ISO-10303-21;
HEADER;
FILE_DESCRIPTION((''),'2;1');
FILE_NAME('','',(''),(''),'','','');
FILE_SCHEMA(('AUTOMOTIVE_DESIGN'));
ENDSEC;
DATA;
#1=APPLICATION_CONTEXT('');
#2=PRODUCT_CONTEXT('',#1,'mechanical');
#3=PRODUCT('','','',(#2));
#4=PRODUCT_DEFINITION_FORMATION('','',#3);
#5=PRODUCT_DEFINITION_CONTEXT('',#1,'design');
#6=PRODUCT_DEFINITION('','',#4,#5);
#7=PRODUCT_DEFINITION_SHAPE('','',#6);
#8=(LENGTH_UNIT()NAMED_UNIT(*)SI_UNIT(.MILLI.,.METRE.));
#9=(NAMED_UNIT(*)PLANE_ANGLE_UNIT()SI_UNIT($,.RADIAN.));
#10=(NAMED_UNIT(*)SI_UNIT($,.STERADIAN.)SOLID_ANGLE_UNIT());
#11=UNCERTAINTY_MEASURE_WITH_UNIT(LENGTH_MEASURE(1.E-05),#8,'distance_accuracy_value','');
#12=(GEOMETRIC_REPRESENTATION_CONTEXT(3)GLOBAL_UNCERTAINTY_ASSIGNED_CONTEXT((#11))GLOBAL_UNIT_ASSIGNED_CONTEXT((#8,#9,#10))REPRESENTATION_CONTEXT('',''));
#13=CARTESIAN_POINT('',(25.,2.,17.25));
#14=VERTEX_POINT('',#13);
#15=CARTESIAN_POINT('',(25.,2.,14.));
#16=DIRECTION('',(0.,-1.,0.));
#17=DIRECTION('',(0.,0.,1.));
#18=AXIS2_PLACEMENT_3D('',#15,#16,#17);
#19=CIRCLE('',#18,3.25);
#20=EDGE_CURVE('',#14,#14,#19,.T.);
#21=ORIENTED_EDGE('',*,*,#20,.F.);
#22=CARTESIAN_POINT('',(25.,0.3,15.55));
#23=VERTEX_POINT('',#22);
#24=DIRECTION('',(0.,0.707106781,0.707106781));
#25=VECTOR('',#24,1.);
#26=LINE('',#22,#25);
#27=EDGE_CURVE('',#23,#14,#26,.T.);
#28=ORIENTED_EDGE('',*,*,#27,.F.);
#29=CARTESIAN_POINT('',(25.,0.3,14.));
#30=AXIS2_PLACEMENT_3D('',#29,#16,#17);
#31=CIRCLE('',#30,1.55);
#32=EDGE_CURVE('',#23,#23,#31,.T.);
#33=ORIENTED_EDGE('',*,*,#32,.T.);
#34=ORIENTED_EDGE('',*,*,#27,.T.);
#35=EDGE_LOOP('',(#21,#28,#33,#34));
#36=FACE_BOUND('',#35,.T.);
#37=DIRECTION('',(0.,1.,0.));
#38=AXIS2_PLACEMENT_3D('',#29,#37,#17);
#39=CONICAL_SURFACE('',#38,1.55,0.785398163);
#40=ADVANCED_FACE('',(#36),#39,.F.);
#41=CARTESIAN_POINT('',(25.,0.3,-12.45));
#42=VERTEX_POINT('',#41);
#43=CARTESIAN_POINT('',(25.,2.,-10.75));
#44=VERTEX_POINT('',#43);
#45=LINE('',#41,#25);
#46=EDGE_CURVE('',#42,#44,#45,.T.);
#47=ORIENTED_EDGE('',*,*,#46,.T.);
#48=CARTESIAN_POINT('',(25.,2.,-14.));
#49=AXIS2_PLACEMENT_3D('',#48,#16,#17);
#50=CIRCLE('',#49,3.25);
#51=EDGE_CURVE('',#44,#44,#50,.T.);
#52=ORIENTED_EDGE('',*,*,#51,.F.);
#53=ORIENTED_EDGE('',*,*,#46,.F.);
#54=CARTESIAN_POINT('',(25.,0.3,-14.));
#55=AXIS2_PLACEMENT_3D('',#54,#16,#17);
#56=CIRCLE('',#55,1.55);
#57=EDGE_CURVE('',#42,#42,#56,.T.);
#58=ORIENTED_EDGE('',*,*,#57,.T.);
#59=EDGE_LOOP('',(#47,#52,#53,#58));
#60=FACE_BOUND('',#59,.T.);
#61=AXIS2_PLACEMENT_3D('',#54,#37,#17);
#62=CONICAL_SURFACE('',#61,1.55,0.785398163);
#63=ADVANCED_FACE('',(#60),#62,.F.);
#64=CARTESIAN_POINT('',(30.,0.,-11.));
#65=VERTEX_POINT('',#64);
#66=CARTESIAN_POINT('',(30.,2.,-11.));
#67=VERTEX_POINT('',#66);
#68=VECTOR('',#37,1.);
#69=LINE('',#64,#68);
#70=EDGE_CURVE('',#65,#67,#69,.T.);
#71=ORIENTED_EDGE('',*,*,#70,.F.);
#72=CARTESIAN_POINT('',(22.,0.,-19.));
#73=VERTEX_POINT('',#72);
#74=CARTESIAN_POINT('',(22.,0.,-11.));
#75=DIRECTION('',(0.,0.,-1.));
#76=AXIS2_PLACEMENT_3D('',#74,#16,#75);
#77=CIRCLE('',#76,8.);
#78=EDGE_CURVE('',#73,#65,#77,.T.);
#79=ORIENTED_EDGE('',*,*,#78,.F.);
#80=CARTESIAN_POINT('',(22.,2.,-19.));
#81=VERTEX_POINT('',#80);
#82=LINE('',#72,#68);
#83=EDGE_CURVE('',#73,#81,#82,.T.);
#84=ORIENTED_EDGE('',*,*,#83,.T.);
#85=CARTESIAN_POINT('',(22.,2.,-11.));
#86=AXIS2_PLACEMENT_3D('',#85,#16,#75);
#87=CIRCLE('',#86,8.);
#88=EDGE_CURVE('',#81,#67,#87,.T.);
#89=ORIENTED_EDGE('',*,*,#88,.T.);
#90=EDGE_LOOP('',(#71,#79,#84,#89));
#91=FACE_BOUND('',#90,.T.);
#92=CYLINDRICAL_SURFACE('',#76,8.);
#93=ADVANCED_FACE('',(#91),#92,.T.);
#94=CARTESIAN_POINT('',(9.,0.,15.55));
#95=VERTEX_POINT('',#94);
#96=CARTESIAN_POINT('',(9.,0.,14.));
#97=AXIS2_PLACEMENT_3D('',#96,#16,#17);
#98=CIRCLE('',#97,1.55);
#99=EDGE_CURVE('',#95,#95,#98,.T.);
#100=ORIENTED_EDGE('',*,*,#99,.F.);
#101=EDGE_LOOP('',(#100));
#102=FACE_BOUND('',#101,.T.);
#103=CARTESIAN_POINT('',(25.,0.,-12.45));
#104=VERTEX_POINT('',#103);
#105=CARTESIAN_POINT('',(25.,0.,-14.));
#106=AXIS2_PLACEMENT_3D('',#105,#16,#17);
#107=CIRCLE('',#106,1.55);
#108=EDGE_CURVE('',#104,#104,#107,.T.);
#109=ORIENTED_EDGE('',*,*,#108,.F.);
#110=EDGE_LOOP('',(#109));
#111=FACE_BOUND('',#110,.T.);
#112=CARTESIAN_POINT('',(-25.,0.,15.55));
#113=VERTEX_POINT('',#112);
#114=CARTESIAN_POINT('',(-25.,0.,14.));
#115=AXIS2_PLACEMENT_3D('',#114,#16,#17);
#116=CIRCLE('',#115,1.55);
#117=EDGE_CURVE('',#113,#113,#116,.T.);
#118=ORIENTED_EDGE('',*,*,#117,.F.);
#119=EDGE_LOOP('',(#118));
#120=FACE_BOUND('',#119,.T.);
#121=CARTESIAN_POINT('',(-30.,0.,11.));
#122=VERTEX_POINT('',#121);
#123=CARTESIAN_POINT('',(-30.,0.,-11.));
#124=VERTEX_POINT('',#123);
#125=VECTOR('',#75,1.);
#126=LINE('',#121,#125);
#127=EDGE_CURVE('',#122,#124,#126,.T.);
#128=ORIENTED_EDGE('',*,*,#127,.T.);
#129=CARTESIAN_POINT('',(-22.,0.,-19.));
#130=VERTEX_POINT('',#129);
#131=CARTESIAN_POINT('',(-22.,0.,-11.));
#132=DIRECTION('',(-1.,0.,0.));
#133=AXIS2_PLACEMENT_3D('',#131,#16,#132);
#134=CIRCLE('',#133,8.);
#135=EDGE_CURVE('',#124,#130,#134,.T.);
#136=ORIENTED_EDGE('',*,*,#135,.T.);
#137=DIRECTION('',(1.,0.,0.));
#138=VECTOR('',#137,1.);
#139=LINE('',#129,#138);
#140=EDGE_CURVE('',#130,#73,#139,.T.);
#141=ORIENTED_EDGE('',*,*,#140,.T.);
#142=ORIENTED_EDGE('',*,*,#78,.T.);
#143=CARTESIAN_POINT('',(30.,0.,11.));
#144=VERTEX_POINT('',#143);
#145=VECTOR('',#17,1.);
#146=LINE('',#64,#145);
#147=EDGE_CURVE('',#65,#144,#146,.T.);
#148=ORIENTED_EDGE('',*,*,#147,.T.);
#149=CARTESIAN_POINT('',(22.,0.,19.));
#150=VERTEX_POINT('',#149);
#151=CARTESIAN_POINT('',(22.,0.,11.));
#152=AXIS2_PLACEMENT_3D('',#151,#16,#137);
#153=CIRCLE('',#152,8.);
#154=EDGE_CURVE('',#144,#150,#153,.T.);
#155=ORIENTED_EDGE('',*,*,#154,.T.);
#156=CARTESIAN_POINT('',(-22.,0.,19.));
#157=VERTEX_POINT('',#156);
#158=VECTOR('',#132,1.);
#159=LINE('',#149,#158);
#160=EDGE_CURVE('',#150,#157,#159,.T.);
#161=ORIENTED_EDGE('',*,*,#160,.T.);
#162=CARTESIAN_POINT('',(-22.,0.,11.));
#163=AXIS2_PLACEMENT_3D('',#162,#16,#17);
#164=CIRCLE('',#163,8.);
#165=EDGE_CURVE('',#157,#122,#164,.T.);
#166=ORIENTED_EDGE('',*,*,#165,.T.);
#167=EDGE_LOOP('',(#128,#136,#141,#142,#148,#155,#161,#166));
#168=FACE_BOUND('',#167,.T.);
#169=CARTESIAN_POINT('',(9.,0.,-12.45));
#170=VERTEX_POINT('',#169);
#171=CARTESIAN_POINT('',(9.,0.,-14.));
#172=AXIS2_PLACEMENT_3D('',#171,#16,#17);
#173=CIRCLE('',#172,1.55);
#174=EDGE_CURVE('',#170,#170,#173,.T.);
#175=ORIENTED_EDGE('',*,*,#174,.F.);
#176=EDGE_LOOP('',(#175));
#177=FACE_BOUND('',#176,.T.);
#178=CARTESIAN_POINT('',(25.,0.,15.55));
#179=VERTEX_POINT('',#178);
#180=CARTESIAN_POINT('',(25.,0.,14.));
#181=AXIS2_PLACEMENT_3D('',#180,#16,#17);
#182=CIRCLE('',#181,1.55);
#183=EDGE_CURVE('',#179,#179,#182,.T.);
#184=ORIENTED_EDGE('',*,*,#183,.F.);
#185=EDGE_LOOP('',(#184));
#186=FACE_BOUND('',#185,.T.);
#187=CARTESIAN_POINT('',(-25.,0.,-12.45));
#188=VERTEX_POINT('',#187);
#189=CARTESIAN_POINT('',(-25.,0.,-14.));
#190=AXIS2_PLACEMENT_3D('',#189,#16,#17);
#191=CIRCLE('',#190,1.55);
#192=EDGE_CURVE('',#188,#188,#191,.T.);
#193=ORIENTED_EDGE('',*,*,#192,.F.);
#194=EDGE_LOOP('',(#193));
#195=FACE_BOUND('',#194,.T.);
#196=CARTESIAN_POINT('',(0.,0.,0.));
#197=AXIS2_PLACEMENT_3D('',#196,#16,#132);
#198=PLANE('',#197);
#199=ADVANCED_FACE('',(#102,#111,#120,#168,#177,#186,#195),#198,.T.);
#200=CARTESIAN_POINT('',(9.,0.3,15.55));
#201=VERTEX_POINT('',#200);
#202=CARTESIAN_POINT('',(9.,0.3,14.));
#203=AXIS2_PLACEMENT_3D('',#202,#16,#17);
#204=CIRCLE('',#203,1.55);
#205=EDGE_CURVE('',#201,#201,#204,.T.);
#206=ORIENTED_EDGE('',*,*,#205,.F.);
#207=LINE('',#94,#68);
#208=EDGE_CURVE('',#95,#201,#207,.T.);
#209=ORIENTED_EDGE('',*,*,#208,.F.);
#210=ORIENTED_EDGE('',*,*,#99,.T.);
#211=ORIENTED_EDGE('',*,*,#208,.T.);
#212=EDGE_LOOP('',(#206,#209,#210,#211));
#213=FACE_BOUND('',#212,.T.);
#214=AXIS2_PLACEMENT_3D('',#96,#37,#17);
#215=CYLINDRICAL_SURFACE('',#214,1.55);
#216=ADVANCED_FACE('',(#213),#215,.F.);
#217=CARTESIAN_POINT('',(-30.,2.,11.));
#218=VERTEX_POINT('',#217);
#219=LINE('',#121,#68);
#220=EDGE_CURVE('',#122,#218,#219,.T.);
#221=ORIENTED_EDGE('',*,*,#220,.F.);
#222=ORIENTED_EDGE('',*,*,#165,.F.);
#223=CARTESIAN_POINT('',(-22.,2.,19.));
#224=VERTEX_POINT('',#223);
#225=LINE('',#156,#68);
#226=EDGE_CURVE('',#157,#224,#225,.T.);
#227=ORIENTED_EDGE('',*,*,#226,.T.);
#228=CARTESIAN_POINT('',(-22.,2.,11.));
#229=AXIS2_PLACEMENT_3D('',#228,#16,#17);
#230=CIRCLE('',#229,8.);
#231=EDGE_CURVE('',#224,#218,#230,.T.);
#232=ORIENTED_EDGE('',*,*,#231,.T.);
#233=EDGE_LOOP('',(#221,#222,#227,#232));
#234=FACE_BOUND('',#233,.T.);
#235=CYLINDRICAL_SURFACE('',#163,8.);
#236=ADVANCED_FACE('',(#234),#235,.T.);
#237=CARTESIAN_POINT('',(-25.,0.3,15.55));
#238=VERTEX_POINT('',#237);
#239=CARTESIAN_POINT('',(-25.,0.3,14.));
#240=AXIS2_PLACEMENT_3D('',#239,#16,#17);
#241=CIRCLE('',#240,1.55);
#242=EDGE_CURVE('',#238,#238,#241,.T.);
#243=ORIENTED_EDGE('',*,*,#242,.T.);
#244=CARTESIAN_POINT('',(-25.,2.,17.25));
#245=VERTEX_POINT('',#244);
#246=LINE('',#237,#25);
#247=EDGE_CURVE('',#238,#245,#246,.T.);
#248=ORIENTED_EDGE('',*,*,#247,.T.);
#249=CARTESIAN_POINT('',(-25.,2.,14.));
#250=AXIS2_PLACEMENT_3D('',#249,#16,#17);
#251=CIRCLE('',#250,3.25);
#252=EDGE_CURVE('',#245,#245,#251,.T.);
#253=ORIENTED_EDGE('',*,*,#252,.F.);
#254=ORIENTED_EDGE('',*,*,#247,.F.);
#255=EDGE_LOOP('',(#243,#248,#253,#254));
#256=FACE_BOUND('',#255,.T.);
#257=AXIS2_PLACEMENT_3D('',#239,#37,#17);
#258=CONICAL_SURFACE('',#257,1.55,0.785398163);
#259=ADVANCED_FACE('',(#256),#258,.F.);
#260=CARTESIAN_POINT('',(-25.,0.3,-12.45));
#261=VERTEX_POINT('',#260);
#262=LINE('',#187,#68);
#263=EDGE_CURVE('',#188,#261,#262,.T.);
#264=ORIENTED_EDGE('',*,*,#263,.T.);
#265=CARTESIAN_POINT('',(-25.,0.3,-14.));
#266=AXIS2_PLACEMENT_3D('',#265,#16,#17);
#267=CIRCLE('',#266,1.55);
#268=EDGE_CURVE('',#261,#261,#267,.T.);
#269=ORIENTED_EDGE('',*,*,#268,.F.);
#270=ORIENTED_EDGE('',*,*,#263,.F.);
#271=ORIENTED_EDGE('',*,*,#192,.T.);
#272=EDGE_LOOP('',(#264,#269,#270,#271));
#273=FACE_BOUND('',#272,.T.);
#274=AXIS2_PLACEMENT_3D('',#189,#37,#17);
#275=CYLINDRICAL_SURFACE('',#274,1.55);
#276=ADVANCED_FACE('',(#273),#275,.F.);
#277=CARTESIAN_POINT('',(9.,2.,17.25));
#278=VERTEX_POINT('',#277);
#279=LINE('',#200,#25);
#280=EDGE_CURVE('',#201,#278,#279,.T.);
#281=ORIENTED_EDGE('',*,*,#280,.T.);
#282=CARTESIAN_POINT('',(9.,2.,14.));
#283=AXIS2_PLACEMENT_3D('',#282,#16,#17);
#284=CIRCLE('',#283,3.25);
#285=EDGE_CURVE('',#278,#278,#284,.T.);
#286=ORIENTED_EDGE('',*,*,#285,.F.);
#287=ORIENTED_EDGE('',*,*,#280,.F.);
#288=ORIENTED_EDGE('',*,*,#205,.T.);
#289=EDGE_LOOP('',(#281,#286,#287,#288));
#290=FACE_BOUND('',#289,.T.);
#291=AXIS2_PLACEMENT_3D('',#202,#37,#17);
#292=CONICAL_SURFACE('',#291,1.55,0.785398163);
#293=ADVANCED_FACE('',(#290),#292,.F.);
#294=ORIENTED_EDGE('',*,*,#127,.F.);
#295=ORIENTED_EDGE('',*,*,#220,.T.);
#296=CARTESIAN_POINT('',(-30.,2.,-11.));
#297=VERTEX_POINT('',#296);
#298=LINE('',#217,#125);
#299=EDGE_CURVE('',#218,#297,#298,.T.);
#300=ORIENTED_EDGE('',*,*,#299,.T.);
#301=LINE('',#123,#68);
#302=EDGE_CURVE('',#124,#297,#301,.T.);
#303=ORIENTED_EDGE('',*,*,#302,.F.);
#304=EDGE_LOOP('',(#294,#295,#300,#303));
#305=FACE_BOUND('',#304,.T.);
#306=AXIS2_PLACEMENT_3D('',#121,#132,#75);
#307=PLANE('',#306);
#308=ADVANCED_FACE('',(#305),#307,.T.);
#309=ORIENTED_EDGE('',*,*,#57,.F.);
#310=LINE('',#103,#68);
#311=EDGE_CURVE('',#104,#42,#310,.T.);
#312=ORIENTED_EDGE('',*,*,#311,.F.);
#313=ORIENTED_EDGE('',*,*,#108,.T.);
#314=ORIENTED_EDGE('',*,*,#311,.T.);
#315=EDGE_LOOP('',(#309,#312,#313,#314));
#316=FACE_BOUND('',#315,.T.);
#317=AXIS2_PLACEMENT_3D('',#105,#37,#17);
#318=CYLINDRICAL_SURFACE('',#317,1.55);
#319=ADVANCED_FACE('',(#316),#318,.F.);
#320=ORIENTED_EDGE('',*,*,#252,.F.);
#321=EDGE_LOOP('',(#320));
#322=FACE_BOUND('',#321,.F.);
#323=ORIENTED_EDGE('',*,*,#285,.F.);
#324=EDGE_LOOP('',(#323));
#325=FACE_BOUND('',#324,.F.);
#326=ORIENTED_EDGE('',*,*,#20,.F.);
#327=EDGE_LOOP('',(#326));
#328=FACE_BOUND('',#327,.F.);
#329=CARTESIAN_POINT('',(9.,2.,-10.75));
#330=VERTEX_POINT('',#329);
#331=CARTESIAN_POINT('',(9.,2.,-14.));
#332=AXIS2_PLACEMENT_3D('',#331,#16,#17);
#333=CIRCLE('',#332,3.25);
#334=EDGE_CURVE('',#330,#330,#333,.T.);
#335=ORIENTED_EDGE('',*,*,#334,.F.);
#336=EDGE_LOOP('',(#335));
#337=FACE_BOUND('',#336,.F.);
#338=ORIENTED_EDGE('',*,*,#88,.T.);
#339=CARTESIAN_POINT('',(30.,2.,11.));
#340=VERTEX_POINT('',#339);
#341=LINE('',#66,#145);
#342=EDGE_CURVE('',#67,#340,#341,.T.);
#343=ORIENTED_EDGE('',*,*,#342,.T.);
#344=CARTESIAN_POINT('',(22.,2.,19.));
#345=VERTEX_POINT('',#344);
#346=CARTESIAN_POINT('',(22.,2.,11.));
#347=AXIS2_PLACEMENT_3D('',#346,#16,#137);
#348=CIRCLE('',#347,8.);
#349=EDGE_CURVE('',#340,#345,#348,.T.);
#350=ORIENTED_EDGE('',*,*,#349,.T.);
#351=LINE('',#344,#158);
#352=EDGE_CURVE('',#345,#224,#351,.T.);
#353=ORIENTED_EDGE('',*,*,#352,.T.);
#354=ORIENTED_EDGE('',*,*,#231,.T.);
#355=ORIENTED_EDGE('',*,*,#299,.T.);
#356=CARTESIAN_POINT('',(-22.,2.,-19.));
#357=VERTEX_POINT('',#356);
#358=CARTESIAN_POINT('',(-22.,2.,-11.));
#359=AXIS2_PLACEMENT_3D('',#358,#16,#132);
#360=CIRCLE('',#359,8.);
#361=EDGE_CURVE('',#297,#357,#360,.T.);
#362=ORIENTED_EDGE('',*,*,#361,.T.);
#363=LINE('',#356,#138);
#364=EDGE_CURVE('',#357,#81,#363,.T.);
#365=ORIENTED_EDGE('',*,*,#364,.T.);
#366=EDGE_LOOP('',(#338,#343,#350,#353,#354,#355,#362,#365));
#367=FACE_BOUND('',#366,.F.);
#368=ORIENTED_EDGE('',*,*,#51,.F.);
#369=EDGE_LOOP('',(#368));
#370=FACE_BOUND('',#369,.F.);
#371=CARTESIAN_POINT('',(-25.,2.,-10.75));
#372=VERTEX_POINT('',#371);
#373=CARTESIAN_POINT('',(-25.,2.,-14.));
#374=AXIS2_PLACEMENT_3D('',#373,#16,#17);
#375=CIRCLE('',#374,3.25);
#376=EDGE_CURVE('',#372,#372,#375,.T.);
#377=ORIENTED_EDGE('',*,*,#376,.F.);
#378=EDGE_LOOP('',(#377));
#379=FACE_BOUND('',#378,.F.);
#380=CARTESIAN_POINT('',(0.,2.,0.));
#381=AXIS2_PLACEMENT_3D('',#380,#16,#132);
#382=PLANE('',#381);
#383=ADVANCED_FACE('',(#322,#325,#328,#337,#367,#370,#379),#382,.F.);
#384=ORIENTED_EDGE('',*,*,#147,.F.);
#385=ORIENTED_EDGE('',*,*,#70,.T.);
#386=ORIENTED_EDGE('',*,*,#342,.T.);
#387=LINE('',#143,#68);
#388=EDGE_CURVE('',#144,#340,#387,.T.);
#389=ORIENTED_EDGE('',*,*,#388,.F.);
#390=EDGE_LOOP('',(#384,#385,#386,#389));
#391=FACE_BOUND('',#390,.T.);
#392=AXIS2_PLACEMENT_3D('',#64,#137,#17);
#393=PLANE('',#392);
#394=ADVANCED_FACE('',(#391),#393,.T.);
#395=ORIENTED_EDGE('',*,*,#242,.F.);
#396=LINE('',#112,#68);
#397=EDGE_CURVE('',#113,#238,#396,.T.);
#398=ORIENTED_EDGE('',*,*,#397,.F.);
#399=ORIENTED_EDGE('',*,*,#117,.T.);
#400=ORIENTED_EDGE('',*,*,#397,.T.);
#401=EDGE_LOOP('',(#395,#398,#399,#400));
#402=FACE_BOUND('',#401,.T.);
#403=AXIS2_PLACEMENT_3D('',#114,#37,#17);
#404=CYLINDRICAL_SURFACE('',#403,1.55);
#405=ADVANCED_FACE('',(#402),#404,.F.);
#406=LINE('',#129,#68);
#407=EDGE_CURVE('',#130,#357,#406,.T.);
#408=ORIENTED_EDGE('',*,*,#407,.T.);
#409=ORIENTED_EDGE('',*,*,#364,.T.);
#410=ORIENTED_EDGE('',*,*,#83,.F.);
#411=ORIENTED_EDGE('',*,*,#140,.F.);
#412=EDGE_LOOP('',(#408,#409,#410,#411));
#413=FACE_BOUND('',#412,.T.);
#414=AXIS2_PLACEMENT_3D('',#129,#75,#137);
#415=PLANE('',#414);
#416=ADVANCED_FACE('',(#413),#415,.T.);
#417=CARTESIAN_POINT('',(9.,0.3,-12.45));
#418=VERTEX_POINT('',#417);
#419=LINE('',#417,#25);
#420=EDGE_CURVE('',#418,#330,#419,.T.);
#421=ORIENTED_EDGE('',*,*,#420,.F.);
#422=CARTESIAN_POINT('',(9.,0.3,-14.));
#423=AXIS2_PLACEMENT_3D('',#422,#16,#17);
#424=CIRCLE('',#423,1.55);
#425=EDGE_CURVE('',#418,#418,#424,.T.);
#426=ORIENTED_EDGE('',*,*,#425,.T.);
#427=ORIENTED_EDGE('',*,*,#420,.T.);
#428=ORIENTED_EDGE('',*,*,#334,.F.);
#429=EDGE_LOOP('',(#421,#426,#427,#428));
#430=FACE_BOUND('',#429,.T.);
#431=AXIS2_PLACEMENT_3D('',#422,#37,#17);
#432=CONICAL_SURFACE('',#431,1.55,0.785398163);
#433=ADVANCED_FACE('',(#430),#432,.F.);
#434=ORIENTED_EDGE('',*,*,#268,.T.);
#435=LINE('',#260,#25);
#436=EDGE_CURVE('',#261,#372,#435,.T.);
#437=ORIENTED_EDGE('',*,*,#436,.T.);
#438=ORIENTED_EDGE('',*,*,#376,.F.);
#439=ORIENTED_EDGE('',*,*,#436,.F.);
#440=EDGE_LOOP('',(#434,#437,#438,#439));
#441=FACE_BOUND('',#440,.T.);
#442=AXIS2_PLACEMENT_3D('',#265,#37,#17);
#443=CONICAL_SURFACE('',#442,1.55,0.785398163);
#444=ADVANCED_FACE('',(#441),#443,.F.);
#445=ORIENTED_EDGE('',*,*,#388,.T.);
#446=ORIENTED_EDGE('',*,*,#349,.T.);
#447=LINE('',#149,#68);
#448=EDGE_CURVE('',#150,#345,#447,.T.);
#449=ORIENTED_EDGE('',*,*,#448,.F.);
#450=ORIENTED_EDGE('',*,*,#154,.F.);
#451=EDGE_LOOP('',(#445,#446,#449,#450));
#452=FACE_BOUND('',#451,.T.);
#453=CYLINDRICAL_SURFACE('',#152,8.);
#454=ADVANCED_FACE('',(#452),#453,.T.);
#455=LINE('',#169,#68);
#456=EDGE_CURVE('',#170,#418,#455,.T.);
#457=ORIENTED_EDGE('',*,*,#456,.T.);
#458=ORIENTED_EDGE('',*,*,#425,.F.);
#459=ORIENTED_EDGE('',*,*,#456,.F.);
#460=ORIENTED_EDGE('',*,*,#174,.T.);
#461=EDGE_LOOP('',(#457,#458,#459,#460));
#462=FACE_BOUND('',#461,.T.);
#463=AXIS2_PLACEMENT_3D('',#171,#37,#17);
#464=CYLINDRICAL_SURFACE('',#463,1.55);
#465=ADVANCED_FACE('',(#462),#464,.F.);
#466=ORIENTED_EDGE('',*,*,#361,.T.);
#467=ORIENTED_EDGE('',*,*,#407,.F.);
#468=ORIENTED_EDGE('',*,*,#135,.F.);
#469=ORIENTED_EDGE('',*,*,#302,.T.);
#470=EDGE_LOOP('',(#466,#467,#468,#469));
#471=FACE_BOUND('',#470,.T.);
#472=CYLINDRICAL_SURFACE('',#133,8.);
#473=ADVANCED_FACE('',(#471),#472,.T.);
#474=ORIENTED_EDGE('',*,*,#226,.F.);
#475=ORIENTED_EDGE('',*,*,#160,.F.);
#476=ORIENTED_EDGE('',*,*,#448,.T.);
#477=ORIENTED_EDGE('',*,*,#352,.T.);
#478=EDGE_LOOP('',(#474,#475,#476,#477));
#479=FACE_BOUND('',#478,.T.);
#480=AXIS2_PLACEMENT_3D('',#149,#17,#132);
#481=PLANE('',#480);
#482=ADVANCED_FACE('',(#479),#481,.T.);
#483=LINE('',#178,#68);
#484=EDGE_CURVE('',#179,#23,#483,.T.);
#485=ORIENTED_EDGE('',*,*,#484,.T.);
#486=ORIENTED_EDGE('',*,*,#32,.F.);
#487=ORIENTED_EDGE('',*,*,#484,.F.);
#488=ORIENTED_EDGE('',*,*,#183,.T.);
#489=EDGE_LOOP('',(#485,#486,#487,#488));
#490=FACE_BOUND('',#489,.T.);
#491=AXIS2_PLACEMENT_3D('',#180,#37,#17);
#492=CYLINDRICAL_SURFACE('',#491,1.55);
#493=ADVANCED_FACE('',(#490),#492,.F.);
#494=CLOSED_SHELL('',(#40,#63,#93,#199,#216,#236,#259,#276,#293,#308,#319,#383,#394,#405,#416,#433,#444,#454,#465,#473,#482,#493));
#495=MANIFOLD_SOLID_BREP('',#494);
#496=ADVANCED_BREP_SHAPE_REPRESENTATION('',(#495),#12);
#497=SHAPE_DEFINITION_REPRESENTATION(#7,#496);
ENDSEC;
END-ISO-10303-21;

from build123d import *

# Parameters (mm, degrees)
BOSS_EXTRUDE1_DEPTH                 = 2
F_3_1_3_1_DIAMETER_HOLE1_AT_2_COUNT = 2
F_3_1_3_1_DIAMETER_HOLE1_AT_2_PITCH = 28
F_3_1_3_1_DIAMETER_HOLE1_AT_3_COUNT = 2
F_3_1_3_1_DIAMETER_HOLE1_AT_3_PITCH = 57.306195128
F_3_1_3_1_DIAMETER_HOLE1_AT_4_COUNT = 2
F_3_1_3_1_DIAMETER_HOLE1_AT_4_PITCH = 50
F_3_1_3_1_DIAMETER_HOLE1_AT_5_COUNT = 2
F_3_1_3_1_DIAMETER_HOLE1_AT_5_PITCH = 16
F_3_1_3_1_DIAMETER_HOLE1_AT_6_COUNT = 2
F_3_1_3_1_DIAMETER_HOLE1_AT_6_PITCH = 32.249030993


with BuildPart() as part:
    # Sketch1 → Boss-Extrude1 (new body)
    with BuildSketch(Plane(origin=(0, 0, 0), x_dir=(1, 0, 0), z_dir=(0, 1, 0))):
        with BuildLine():
            Line((22, -19), (-22, -19))
            ThreePointArc((-22, -19), (-27.656854249, -16.656854249), (-30, -11))
            Line((-30, -11), (-30, 11))
            ThreePointArc((-30, 11), (-27.656854249, 16.656854249), (-22, 19))
            Line((-22, 19), (22, 19))
            ThreePointArc((22, 19), (27.656854249, 16.656854249), (30, 11))
            Line((30, 11), (30, -11))
            ThreePointArc((30, -11), (27.656854249, -16.656854249), (22, -19))
        make_face()
    extrude(amount=BOSS_EXTRUDE1_DEPTH)

    # Hole → Ø3.1 (3.1) Diameter Hole1 (revolve, cut)
    with BuildSketch(Plane(origin=(25, 2, -14), x_dir=(0, 0, 1), z_dir=(1, 0, 0))):
        Polygon((0, 0), (0, 2), (1.55, 2), (1.55, 1.7), (3.25, 0), align=None)
    f_3_1_3_1_diameter_hole1 = revolve(axis=Axis((25, 8.35, -14), (0, -1, 0)), mode=Mode.SUBTRACT)

    # Ø3.1 (3.1) Diameter Hole1 at 2: Ø3.1 (3.1) Diameter Hole1 ×2
    with Locations(*[(0, 0, i * F_3_1_3_1_DIAMETER_HOLE1_AT_2_PITCH) for i in range(1, F_3_1_3_1_DIAMETER_HOLE1_AT_2_COUNT)]):
        add(f_3_1_3_1_diameter_hole1, mode=Mode.SUBTRACT)

    # Ø3.1 (3.1) Diameter Hole1 at 3: Ø3.1 (3.1) Diameter Hole1 ×2
    with Locations(*[Vector(-0.872506016, 0, 0.488603369) * (i * F_3_1_3_1_DIAMETER_HOLE1_AT_3_PITCH) for i in range(1, F_3_1_3_1_DIAMETER_HOLE1_AT_3_COUNT)]):
        add(f_3_1_3_1_diameter_hole1, mode=Mode.SUBTRACT)

    # Ø3.1 (3.1) Diameter Hole1 at 4: Ø3.1 (3.1) Diameter Hole1 ×2
    with Locations(*[(-i * F_3_1_3_1_DIAMETER_HOLE1_AT_4_PITCH, 0, 0) for i in range(1, F_3_1_3_1_DIAMETER_HOLE1_AT_4_COUNT)]):
        add(f_3_1_3_1_diameter_hole1, mode=Mode.SUBTRACT)

    # Ø3.1 (3.1) Diameter Hole1 at 5: Ø3.1 (3.1) Diameter Hole1 ×2
    with Locations(*[(-i * F_3_1_3_1_DIAMETER_HOLE1_AT_5_PITCH, 0, 0) for i in range(1, F_3_1_3_1_DIAMETER_HOLE1_AT_5_COUNT)]):
        add(f_3_1_3_1_diameter_hole1, mode=Mode.SUBTRACT)

    # Ø3.1 (3.1) Diameter Hole1 at 6: Ø3.1 (3.1) Diameter Hole1 ×2
    with Locations(*[Vector(-0.496138938, 0, 0.868243142) * (i * F_3_1_3_1_DIAMETER_HOLE1_AT_6_PITCH) for i in range(1, F_3_1_3_1_DIAMETER_HOLE1_AT_6_COUNT)]):
        add(f_3_1_3_1_diameter_hole1, mode=Mode.SUBTRACT)


solid = part.part
